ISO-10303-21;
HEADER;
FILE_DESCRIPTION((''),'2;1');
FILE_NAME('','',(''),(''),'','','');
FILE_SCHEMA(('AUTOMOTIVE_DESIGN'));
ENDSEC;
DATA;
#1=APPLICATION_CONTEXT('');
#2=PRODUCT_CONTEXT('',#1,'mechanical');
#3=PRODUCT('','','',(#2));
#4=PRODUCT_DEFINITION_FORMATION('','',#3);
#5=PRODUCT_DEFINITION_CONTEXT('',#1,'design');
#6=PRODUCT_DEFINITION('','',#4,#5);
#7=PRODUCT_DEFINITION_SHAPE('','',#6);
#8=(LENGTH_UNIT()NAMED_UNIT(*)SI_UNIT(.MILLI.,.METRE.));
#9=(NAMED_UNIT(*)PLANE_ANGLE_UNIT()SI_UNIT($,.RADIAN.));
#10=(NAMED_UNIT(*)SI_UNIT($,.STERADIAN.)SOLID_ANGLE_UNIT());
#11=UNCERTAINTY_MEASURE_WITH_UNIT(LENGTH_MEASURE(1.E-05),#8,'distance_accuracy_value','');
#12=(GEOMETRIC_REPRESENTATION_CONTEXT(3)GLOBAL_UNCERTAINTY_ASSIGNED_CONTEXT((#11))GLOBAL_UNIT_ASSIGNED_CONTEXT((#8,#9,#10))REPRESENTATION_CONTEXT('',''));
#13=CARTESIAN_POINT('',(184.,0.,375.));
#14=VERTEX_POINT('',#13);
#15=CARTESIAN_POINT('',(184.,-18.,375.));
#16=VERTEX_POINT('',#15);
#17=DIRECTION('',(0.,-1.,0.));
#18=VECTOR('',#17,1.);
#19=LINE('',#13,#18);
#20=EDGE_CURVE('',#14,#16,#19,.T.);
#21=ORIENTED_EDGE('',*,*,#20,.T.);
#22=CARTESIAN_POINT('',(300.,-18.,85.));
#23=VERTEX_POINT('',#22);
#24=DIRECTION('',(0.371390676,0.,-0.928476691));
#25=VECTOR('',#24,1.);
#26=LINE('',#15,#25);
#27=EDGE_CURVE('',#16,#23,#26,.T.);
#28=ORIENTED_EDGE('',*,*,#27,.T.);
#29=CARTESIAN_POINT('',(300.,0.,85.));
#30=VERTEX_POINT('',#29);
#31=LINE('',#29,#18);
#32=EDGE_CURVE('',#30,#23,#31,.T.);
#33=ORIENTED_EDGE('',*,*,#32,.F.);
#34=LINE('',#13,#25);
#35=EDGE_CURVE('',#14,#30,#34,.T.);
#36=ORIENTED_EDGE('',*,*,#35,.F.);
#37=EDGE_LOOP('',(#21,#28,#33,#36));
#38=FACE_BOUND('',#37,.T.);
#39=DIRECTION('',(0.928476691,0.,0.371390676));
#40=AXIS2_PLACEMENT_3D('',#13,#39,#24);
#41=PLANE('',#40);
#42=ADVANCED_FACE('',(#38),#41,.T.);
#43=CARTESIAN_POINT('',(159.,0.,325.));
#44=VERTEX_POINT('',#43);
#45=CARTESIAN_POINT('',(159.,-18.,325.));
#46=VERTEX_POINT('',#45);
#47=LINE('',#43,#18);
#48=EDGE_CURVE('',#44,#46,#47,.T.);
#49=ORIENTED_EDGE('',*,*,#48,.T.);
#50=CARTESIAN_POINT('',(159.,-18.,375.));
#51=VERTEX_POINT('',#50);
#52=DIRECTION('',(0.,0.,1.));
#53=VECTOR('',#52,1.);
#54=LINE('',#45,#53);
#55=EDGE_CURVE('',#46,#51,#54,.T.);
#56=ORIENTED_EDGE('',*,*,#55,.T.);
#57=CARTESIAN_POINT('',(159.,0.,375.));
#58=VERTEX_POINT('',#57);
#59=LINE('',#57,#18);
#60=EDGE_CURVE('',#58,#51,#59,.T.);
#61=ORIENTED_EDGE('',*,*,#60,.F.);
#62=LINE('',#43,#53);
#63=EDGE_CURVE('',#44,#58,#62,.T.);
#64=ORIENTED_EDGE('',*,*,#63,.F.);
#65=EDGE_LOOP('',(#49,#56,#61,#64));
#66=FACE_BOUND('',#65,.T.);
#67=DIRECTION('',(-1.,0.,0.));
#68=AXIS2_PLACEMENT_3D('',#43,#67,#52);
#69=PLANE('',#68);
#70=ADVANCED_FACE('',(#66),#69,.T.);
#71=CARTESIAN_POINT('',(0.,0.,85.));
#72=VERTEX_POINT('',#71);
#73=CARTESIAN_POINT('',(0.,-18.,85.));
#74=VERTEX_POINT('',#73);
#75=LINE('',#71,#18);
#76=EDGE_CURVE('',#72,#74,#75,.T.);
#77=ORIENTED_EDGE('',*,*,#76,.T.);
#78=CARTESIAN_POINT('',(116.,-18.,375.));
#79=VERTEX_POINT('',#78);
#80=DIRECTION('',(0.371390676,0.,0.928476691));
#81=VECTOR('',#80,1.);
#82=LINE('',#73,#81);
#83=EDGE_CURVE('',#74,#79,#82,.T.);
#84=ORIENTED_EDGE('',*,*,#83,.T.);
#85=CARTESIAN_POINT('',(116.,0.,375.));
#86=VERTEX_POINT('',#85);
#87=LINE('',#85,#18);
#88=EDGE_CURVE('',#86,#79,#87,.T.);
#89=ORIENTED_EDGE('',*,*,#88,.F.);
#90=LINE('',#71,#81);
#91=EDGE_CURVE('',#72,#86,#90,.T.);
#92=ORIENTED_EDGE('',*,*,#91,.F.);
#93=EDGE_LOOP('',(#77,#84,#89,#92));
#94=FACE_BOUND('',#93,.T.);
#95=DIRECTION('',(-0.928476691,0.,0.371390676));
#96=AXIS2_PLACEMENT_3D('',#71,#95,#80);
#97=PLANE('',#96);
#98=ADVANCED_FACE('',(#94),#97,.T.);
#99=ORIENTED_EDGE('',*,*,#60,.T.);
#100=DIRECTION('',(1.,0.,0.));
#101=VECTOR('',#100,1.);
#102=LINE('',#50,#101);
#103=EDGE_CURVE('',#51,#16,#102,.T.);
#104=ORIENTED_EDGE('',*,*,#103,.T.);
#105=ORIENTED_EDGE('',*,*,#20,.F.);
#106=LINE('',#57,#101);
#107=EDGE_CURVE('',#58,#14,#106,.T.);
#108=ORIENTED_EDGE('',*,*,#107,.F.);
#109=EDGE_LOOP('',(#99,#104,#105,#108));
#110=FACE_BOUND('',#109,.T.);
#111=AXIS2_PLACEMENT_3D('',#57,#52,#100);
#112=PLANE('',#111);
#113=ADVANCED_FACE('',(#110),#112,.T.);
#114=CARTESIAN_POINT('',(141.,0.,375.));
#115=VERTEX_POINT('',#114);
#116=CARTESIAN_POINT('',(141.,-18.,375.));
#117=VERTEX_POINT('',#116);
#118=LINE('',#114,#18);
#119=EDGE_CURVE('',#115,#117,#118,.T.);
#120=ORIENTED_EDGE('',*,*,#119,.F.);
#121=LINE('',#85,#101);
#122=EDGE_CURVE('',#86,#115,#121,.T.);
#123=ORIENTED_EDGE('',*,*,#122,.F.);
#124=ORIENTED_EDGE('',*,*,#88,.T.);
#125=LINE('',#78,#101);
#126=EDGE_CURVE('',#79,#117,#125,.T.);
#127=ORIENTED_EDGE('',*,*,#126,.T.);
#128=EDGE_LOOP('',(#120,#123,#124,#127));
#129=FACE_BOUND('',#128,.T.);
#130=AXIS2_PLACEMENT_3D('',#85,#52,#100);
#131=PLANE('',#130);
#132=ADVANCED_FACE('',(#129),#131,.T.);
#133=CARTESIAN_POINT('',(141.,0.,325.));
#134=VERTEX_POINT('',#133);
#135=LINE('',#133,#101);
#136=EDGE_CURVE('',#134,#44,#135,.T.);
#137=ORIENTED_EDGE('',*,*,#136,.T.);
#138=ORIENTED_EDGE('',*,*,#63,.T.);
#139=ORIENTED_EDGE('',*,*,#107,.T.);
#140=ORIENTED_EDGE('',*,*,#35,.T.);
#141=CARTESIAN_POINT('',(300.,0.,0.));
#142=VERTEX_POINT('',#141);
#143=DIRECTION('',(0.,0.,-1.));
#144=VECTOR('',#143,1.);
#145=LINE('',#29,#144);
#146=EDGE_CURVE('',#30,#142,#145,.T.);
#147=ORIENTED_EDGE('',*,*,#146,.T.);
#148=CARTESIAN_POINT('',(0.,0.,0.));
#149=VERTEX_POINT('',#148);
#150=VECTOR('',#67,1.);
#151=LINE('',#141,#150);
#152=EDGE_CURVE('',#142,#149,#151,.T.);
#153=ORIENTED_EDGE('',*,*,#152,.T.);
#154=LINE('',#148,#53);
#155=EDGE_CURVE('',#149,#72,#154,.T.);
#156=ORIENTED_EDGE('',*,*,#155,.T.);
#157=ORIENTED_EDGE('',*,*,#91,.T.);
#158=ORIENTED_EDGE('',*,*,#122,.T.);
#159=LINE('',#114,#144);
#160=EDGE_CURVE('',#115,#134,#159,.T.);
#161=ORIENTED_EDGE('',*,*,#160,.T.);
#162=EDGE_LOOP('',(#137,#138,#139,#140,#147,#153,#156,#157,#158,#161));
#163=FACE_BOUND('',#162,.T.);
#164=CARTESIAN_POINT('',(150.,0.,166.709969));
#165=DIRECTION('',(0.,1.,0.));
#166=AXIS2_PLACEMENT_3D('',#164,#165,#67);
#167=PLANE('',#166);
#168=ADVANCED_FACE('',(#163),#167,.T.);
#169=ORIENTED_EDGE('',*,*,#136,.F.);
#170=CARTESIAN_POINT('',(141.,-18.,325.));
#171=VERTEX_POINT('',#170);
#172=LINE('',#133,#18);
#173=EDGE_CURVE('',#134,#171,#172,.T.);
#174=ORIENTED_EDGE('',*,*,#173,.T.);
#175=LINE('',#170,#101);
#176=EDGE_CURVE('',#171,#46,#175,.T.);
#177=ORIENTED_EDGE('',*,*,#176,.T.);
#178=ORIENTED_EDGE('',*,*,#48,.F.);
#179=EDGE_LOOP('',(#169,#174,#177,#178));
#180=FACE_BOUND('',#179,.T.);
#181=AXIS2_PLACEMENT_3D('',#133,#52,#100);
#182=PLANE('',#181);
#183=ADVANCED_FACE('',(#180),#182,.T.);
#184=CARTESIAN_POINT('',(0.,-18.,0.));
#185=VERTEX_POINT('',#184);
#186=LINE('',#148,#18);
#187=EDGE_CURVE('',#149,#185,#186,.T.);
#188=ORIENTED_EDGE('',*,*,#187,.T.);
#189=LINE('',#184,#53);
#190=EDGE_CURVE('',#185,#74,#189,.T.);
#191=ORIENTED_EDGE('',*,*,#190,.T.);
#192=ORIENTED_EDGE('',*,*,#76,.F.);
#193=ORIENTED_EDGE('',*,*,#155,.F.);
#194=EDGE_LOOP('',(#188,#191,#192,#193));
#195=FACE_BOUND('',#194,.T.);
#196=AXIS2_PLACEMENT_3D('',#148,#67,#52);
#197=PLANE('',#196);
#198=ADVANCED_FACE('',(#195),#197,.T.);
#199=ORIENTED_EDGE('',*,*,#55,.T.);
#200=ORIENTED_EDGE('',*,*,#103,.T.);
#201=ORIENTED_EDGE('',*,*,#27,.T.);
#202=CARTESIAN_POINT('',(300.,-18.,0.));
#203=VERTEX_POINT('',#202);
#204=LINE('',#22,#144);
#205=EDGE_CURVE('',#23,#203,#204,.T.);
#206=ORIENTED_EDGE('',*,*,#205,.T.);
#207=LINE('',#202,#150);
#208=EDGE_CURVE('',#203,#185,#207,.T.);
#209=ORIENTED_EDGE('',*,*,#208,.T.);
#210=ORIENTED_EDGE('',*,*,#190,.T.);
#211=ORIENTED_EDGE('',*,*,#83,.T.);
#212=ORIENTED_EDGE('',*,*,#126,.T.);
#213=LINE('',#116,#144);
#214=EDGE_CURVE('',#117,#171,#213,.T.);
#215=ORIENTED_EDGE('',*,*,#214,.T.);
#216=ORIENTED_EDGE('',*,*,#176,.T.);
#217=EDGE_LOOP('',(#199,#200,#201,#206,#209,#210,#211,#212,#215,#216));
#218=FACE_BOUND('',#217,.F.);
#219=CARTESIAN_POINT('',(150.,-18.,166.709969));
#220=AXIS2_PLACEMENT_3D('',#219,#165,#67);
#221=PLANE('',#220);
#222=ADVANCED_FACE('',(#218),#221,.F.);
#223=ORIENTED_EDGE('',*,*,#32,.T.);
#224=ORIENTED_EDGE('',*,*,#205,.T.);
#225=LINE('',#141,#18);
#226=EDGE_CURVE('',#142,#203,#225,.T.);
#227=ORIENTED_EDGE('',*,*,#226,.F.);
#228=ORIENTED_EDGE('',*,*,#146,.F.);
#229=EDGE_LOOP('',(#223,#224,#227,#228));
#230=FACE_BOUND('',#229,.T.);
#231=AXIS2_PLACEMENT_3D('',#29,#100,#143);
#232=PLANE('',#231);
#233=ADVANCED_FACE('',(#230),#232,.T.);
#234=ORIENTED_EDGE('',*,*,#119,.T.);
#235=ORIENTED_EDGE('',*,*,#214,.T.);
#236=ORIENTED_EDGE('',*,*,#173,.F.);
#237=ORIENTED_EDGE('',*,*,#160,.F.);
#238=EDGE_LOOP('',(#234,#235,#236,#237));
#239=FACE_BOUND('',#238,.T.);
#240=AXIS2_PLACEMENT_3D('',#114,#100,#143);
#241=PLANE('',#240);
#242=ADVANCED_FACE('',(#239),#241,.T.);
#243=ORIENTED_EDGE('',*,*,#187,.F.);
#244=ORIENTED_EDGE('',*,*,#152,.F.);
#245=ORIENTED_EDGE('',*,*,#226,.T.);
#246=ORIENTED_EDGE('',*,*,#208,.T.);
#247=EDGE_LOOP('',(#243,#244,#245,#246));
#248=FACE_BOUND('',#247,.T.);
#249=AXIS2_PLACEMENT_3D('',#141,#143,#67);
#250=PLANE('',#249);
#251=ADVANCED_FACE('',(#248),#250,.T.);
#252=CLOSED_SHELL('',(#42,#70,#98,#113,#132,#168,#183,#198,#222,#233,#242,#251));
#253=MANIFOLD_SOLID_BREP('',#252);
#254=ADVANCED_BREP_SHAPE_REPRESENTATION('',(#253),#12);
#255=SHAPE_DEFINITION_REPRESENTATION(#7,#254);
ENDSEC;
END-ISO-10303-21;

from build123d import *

# Parameters (mm, degrees)
PAD_DEPTH = 18


with BuildPart() as part:
    # Sketch → Pad (new body)
    with BuildSketch(Plane.XZ):
        Polygon((0, 0), (0, 85), (116, 375), (141, 375), (141, 325), (159, 325), (159, 375), (184, 375), (300, 85), (300, 0), align=None)
    extrude(amount=PAD_DEPTH)


solid = part.part
